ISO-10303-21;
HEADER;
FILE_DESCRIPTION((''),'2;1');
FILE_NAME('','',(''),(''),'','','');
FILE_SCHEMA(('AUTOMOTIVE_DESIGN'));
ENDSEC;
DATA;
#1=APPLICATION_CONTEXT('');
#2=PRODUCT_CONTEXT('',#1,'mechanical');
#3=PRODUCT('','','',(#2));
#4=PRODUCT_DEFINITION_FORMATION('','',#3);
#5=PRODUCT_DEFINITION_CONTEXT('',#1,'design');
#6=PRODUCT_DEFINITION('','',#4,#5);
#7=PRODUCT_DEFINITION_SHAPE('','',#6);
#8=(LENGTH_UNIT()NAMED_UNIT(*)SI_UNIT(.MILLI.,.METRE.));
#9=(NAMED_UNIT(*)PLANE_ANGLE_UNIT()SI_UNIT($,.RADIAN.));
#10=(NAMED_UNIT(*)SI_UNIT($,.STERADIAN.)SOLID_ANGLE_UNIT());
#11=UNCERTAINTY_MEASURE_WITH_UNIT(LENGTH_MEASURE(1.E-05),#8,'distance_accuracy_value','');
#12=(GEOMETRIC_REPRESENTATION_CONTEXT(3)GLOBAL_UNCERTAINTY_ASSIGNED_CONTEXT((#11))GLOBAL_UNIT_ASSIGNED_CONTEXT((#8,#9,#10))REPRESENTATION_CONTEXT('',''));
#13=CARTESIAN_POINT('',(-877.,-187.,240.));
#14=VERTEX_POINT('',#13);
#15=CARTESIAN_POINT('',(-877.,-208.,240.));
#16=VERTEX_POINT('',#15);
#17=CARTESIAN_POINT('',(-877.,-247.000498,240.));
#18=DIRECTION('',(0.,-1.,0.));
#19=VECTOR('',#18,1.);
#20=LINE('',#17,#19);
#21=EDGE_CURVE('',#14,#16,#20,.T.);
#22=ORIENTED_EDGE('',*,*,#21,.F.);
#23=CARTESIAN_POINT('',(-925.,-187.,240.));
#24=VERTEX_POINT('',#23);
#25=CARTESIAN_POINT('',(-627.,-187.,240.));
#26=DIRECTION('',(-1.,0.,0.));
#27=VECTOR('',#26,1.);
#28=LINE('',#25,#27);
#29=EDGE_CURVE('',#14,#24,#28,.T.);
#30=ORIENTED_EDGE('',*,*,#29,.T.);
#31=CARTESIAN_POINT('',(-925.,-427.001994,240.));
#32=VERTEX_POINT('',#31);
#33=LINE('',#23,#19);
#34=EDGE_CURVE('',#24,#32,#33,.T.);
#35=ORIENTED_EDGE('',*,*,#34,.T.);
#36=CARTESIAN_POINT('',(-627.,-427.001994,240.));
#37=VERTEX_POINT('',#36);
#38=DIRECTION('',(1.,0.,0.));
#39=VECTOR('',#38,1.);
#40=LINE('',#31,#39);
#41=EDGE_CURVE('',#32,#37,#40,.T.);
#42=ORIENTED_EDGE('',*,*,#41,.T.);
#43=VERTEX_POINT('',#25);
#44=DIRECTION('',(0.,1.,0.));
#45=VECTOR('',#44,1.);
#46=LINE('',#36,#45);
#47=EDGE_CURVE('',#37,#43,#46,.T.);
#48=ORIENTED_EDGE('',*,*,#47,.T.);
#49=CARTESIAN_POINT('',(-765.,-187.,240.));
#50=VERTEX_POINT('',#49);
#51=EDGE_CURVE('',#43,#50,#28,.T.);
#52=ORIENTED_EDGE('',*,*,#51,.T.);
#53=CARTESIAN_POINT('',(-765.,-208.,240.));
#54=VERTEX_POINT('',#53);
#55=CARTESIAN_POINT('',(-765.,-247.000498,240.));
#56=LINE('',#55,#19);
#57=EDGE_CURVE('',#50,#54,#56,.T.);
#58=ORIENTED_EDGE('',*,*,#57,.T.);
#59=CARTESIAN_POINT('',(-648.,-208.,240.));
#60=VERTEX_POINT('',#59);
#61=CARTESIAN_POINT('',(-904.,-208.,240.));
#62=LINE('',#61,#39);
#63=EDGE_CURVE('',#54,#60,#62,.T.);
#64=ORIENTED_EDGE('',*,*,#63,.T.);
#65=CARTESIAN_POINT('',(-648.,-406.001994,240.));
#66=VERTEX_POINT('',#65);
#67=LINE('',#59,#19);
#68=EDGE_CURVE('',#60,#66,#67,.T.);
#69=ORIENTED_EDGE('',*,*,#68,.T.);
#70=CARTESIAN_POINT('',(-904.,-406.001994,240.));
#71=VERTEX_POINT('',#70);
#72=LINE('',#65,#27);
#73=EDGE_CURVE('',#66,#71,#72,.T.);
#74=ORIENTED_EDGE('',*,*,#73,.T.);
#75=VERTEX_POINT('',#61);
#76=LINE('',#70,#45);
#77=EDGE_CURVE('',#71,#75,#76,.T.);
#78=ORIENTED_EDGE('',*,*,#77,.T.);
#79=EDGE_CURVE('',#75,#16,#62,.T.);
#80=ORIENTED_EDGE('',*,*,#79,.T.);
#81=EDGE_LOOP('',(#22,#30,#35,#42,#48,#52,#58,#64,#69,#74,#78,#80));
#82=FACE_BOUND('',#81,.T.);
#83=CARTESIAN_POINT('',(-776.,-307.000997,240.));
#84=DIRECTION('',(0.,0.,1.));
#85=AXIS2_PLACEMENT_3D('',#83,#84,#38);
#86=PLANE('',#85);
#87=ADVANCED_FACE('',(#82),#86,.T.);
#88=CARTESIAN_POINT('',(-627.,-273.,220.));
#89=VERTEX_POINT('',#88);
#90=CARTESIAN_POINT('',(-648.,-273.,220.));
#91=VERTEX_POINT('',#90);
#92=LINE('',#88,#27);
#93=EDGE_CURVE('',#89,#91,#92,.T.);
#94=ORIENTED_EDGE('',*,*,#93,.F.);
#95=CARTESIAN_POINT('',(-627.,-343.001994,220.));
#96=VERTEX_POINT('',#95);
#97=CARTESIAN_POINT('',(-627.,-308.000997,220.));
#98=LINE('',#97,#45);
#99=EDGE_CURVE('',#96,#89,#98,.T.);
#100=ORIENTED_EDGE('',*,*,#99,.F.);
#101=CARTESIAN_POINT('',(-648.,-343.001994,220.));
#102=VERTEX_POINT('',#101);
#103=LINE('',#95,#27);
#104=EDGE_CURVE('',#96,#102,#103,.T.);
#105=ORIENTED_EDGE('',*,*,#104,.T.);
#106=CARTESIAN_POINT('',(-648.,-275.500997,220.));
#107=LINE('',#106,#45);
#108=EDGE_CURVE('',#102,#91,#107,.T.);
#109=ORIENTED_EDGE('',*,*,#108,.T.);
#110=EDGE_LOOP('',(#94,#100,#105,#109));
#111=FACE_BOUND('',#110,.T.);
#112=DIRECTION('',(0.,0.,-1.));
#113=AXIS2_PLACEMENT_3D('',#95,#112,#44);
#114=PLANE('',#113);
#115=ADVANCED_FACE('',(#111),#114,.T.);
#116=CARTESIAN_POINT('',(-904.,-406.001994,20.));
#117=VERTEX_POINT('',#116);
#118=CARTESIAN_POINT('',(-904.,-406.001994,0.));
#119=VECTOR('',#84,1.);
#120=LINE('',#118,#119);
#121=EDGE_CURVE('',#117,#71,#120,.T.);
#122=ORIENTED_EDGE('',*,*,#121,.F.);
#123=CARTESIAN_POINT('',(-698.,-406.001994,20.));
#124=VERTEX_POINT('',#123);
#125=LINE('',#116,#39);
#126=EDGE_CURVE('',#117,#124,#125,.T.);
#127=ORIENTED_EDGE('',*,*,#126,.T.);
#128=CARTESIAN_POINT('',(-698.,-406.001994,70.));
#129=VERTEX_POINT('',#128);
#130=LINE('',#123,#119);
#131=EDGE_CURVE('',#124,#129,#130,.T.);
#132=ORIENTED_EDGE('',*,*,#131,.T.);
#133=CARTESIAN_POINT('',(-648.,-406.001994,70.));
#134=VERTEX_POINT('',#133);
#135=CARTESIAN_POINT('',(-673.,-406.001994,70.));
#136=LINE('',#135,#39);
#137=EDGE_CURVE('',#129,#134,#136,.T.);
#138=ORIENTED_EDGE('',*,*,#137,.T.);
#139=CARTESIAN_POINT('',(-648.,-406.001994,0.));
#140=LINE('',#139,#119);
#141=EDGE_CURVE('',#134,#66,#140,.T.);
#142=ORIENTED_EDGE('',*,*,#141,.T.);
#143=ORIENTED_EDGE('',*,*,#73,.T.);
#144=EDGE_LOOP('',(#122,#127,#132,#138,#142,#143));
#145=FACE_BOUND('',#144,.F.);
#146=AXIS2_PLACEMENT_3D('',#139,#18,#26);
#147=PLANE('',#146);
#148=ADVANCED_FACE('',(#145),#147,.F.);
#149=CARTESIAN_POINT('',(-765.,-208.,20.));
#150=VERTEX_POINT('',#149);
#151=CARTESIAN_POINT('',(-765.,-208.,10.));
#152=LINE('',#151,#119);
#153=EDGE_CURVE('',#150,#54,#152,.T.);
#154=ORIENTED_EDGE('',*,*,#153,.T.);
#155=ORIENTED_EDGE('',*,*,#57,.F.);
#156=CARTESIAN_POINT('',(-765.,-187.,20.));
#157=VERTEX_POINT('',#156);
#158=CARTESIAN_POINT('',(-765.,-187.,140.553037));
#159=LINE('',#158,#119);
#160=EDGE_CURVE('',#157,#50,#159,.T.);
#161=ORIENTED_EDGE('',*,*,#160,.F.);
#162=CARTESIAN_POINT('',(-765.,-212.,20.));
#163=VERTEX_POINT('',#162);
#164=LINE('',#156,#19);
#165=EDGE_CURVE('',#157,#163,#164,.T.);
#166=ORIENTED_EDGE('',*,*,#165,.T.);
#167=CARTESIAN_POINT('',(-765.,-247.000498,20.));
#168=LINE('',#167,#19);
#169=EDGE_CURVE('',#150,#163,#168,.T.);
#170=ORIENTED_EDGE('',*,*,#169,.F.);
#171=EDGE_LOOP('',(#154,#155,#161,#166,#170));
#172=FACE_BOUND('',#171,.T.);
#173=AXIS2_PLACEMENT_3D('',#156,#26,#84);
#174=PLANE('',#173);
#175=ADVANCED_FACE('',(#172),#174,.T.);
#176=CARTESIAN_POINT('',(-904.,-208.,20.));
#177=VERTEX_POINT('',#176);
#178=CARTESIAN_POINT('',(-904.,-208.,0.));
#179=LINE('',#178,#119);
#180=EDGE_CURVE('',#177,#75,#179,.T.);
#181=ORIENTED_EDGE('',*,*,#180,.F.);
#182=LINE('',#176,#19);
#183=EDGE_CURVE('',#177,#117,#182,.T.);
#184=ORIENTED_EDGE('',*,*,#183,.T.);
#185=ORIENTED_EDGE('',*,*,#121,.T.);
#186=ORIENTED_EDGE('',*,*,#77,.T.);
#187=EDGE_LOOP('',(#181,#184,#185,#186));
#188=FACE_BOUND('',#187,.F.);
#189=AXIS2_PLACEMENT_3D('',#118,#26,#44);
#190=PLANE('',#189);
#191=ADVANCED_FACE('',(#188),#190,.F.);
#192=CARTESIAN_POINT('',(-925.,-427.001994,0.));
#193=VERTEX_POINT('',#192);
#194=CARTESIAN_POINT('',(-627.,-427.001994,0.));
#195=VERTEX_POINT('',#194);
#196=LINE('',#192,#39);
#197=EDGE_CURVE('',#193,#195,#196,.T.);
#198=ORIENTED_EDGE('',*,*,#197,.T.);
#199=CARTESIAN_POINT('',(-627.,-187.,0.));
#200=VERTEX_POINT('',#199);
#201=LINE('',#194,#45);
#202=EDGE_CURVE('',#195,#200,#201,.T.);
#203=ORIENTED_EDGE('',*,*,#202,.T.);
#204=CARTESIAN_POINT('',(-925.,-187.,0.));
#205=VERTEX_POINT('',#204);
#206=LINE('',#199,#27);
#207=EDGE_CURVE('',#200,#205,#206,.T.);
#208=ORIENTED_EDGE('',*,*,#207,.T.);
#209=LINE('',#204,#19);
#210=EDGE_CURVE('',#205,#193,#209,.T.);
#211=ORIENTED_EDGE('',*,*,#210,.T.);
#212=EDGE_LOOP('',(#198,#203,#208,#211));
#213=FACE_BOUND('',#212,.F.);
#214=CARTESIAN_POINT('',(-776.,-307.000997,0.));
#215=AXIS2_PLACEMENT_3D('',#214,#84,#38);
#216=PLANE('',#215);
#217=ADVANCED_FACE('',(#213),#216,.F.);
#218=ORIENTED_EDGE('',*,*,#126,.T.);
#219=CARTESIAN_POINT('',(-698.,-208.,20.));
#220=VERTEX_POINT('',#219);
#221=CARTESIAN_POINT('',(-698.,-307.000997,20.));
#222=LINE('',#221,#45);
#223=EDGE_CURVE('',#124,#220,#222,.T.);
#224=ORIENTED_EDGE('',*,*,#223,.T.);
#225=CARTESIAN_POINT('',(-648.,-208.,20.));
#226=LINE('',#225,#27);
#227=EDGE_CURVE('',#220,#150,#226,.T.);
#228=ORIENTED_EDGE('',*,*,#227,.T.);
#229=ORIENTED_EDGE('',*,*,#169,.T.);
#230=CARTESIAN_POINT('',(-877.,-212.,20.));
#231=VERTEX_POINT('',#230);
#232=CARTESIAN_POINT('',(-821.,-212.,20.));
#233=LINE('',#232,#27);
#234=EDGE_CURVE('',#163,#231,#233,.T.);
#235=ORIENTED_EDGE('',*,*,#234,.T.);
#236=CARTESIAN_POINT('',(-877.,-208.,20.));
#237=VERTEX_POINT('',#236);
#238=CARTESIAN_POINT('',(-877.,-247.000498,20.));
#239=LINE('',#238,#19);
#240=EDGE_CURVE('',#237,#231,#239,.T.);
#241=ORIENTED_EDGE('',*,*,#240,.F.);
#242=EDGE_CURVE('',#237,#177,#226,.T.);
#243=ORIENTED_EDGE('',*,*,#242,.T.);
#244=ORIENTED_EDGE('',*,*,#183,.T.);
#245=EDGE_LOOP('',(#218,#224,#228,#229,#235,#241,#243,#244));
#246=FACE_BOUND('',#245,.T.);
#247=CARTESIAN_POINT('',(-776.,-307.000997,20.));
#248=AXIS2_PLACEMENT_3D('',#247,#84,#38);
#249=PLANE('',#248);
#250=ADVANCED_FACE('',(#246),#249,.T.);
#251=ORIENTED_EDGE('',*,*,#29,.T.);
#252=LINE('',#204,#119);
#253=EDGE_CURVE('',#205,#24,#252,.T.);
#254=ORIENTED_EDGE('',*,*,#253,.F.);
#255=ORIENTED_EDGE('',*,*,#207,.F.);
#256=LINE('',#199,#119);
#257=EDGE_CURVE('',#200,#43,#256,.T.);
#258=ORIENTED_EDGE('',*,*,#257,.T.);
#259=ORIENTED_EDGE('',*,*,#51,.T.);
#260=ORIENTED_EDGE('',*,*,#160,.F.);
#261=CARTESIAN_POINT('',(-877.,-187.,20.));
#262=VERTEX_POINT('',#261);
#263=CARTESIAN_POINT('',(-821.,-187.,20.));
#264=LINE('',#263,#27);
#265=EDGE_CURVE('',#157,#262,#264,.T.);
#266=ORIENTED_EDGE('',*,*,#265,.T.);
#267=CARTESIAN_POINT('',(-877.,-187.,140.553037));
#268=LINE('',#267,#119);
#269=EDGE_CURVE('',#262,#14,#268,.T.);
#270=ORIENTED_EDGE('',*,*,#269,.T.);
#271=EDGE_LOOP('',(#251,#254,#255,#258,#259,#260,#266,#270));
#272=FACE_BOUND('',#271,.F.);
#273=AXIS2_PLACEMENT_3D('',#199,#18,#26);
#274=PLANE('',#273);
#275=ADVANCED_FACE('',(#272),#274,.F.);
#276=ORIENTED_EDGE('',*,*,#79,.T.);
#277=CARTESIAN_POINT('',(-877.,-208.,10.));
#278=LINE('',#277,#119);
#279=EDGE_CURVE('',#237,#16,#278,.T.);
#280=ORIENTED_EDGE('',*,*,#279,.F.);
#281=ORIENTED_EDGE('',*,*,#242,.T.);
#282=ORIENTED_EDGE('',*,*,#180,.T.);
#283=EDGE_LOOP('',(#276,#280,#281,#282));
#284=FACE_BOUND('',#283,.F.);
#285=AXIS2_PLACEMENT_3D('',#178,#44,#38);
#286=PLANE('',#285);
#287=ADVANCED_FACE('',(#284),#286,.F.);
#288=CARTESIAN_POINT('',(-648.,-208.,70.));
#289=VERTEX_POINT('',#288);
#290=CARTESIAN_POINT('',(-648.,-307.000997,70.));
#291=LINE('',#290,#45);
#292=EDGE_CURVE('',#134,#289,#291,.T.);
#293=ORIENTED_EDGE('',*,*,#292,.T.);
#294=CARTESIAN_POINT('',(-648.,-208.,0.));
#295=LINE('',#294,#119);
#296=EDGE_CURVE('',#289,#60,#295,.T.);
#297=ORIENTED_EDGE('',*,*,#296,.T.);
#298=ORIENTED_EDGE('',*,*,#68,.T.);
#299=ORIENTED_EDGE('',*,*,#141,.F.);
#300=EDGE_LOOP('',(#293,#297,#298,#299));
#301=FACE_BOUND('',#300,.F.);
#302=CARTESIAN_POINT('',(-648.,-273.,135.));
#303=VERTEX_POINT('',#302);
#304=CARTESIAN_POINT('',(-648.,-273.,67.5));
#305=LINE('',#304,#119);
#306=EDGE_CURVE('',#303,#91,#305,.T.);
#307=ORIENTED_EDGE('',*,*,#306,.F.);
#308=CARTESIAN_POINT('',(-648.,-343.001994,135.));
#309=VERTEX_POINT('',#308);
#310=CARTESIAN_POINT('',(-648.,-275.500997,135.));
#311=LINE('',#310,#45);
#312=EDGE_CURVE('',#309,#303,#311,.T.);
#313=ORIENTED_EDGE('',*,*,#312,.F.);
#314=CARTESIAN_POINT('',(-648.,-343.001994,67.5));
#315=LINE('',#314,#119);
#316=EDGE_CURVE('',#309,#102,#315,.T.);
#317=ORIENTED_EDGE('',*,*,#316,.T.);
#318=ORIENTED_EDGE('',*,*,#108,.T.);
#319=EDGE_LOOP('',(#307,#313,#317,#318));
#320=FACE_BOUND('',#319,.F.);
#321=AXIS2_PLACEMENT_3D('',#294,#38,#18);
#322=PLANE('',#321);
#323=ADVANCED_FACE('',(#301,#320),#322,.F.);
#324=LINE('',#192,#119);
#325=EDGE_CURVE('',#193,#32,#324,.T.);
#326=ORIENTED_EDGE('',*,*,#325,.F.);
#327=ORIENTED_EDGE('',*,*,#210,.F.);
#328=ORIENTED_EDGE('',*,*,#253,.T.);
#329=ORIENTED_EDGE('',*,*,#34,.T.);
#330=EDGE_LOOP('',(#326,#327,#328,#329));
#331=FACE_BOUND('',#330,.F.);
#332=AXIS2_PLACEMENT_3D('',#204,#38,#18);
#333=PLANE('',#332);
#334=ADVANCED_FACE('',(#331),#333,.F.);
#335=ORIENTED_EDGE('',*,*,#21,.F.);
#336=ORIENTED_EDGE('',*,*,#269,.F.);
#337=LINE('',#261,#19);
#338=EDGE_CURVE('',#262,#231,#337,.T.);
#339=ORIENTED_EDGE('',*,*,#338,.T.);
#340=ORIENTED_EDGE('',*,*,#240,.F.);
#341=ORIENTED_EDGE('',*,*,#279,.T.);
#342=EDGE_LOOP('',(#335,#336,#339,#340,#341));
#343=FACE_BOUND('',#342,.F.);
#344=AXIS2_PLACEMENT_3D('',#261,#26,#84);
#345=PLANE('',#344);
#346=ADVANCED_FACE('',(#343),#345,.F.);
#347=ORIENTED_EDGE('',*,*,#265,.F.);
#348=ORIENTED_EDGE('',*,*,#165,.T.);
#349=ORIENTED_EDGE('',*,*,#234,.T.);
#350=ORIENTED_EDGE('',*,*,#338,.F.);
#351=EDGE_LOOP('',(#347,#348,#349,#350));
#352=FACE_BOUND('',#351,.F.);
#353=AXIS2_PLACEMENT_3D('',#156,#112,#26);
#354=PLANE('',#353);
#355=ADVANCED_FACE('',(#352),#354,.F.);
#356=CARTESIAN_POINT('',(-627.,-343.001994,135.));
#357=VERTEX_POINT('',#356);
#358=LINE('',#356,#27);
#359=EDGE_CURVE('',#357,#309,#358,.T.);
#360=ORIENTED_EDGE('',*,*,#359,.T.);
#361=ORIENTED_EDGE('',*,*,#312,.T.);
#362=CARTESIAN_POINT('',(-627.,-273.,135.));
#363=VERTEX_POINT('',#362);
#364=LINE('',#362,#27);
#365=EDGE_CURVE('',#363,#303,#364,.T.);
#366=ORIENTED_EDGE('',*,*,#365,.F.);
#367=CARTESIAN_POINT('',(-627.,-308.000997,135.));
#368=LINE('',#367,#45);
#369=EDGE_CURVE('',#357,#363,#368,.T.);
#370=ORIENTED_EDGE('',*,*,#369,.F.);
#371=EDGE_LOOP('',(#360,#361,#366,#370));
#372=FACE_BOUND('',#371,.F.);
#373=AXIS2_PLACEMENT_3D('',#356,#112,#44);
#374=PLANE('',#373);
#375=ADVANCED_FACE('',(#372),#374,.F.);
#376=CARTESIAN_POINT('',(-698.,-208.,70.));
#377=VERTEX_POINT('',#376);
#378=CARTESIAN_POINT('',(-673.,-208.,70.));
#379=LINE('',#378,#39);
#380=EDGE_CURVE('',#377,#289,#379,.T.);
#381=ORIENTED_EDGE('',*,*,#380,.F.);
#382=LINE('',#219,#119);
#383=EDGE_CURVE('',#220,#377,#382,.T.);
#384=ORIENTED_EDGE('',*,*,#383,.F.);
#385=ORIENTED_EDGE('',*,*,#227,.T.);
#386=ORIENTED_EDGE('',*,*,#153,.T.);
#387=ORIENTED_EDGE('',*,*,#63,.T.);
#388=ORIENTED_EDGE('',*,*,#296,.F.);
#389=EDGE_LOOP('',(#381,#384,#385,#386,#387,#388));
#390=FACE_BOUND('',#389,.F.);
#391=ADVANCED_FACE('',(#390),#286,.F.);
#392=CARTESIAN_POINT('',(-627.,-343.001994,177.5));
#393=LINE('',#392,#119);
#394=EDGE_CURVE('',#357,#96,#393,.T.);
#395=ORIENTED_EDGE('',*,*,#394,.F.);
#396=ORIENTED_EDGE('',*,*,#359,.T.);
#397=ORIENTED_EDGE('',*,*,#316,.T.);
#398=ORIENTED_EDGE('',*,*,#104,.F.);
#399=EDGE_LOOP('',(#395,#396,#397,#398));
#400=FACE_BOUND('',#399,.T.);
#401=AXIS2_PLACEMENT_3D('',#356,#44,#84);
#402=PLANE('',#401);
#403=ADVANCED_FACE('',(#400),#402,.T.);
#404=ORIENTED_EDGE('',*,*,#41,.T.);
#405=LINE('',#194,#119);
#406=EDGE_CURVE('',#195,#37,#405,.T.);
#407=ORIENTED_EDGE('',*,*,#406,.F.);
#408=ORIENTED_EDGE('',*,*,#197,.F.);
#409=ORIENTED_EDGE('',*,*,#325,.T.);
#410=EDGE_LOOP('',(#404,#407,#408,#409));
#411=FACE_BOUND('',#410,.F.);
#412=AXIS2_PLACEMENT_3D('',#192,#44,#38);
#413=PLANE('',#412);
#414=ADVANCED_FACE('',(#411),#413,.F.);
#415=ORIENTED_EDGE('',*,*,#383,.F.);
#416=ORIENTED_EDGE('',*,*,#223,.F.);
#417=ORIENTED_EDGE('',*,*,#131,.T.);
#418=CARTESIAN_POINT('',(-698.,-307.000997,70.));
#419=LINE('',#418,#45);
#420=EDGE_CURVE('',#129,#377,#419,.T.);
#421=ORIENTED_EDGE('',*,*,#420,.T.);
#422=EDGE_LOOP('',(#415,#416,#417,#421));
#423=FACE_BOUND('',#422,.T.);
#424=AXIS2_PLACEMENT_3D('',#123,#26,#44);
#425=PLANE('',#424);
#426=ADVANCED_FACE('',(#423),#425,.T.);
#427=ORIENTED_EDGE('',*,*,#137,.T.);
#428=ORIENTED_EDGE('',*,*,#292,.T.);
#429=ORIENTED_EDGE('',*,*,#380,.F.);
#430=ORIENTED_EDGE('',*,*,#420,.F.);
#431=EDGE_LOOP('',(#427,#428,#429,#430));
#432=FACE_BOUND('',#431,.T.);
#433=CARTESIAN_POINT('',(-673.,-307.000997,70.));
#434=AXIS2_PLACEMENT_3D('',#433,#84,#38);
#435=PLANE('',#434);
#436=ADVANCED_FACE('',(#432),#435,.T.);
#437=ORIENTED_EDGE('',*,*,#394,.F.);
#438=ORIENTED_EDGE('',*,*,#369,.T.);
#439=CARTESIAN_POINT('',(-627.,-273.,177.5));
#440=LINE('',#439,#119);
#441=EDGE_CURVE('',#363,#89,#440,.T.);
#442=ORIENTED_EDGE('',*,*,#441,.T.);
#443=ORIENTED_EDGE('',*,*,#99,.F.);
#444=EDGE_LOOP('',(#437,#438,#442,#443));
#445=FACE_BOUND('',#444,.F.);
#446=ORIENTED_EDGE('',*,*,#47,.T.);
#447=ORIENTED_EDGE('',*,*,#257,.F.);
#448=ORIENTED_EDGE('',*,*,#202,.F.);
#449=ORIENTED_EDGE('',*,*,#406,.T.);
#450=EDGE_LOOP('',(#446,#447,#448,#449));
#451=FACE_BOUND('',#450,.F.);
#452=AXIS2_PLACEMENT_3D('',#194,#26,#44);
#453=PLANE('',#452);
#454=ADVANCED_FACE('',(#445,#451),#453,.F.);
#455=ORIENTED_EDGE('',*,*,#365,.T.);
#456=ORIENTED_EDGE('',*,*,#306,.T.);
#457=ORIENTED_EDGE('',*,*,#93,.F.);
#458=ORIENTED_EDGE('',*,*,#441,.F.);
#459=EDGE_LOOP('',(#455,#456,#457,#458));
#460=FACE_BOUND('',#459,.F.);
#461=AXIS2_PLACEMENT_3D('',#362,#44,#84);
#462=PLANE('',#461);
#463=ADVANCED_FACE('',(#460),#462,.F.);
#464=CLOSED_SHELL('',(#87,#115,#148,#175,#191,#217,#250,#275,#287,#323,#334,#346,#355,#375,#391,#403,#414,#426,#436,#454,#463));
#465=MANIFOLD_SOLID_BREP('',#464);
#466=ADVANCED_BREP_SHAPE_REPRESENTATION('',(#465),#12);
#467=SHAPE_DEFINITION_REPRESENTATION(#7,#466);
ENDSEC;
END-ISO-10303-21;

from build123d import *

# Parameters (mm, degrees)
F3_DEPTH  = 240
F5_DEPTH  = 20
F6_W      = 112
F6_H      = 241.106075
F7_DEPTH  = 25
F8_W      = 70.001994
F8_H      = 85
F9_DEPTH  = 25
F10_W     = 50
F10_H     = 198.001994
F11_DEPTH = 50


with BuildPart() as f3:
    # F2 (on face) → F3 (new body)
    with BuildSketch(Plane.XY):
        Polygon((-627, -343.001994), (-627, -273), (-627, -187), (-765, -187), (-877, -187), (-925, -187), (-925, -427.001994), (-627, -427.001994), align=None)
        Polygon((-765, -208), (-648, -208), (-648, -273), (-648, -343.001994), (-648, -406.001994), (-904, -406.001994), (-904, -208), (-877, -208), align=None, mode=Mode.SUBTRACT)
    extrude(amount=F3_DEPTH)

    # F4 (on face) → F5 (join)
    with BuildSketch(Plane.XY):
        Polygon((-648, -273), (-648, -208), (-765, -208), (-877, -208), (-904, -208), (-904, -406.001994), (-648, -406.001994), (-648, -343.001994), align=None)
    extrude(amount=F5_DEPTH)

    # F6 (on face) → F7 (cut)
    with BuildSketch(Plane(origin=(0, -187, 0), x_dir=(-1, 0, 0), z_dir=(0, 1, 0))):
        with Locations((821, 140.553037)):
            Rectangle(F6_W, F6_H)
    extrude(amount=-F7_DEPTH, mode=Mode.SUBTRACT)

    # F8 (on face) → F9 (cut)
    with BuildSketch(Plane.YZ.offset(-627)):
        with Locations((-308.000997, 177.5)):
            Rectangle(F8_W, F8_H)
    extrude(amount=-F9_DEPTH, mode=Mode.SUBTRACT)

    # F10 (on face) → F11 (join)
    with BuildSketch(Plane.XY.offset(20)):
        with Locations((-673, -307.000997)):
            Rectangle(F10_W, F10_H)
    extrude(amount=F11_DEPTH)


solid = f3.part
